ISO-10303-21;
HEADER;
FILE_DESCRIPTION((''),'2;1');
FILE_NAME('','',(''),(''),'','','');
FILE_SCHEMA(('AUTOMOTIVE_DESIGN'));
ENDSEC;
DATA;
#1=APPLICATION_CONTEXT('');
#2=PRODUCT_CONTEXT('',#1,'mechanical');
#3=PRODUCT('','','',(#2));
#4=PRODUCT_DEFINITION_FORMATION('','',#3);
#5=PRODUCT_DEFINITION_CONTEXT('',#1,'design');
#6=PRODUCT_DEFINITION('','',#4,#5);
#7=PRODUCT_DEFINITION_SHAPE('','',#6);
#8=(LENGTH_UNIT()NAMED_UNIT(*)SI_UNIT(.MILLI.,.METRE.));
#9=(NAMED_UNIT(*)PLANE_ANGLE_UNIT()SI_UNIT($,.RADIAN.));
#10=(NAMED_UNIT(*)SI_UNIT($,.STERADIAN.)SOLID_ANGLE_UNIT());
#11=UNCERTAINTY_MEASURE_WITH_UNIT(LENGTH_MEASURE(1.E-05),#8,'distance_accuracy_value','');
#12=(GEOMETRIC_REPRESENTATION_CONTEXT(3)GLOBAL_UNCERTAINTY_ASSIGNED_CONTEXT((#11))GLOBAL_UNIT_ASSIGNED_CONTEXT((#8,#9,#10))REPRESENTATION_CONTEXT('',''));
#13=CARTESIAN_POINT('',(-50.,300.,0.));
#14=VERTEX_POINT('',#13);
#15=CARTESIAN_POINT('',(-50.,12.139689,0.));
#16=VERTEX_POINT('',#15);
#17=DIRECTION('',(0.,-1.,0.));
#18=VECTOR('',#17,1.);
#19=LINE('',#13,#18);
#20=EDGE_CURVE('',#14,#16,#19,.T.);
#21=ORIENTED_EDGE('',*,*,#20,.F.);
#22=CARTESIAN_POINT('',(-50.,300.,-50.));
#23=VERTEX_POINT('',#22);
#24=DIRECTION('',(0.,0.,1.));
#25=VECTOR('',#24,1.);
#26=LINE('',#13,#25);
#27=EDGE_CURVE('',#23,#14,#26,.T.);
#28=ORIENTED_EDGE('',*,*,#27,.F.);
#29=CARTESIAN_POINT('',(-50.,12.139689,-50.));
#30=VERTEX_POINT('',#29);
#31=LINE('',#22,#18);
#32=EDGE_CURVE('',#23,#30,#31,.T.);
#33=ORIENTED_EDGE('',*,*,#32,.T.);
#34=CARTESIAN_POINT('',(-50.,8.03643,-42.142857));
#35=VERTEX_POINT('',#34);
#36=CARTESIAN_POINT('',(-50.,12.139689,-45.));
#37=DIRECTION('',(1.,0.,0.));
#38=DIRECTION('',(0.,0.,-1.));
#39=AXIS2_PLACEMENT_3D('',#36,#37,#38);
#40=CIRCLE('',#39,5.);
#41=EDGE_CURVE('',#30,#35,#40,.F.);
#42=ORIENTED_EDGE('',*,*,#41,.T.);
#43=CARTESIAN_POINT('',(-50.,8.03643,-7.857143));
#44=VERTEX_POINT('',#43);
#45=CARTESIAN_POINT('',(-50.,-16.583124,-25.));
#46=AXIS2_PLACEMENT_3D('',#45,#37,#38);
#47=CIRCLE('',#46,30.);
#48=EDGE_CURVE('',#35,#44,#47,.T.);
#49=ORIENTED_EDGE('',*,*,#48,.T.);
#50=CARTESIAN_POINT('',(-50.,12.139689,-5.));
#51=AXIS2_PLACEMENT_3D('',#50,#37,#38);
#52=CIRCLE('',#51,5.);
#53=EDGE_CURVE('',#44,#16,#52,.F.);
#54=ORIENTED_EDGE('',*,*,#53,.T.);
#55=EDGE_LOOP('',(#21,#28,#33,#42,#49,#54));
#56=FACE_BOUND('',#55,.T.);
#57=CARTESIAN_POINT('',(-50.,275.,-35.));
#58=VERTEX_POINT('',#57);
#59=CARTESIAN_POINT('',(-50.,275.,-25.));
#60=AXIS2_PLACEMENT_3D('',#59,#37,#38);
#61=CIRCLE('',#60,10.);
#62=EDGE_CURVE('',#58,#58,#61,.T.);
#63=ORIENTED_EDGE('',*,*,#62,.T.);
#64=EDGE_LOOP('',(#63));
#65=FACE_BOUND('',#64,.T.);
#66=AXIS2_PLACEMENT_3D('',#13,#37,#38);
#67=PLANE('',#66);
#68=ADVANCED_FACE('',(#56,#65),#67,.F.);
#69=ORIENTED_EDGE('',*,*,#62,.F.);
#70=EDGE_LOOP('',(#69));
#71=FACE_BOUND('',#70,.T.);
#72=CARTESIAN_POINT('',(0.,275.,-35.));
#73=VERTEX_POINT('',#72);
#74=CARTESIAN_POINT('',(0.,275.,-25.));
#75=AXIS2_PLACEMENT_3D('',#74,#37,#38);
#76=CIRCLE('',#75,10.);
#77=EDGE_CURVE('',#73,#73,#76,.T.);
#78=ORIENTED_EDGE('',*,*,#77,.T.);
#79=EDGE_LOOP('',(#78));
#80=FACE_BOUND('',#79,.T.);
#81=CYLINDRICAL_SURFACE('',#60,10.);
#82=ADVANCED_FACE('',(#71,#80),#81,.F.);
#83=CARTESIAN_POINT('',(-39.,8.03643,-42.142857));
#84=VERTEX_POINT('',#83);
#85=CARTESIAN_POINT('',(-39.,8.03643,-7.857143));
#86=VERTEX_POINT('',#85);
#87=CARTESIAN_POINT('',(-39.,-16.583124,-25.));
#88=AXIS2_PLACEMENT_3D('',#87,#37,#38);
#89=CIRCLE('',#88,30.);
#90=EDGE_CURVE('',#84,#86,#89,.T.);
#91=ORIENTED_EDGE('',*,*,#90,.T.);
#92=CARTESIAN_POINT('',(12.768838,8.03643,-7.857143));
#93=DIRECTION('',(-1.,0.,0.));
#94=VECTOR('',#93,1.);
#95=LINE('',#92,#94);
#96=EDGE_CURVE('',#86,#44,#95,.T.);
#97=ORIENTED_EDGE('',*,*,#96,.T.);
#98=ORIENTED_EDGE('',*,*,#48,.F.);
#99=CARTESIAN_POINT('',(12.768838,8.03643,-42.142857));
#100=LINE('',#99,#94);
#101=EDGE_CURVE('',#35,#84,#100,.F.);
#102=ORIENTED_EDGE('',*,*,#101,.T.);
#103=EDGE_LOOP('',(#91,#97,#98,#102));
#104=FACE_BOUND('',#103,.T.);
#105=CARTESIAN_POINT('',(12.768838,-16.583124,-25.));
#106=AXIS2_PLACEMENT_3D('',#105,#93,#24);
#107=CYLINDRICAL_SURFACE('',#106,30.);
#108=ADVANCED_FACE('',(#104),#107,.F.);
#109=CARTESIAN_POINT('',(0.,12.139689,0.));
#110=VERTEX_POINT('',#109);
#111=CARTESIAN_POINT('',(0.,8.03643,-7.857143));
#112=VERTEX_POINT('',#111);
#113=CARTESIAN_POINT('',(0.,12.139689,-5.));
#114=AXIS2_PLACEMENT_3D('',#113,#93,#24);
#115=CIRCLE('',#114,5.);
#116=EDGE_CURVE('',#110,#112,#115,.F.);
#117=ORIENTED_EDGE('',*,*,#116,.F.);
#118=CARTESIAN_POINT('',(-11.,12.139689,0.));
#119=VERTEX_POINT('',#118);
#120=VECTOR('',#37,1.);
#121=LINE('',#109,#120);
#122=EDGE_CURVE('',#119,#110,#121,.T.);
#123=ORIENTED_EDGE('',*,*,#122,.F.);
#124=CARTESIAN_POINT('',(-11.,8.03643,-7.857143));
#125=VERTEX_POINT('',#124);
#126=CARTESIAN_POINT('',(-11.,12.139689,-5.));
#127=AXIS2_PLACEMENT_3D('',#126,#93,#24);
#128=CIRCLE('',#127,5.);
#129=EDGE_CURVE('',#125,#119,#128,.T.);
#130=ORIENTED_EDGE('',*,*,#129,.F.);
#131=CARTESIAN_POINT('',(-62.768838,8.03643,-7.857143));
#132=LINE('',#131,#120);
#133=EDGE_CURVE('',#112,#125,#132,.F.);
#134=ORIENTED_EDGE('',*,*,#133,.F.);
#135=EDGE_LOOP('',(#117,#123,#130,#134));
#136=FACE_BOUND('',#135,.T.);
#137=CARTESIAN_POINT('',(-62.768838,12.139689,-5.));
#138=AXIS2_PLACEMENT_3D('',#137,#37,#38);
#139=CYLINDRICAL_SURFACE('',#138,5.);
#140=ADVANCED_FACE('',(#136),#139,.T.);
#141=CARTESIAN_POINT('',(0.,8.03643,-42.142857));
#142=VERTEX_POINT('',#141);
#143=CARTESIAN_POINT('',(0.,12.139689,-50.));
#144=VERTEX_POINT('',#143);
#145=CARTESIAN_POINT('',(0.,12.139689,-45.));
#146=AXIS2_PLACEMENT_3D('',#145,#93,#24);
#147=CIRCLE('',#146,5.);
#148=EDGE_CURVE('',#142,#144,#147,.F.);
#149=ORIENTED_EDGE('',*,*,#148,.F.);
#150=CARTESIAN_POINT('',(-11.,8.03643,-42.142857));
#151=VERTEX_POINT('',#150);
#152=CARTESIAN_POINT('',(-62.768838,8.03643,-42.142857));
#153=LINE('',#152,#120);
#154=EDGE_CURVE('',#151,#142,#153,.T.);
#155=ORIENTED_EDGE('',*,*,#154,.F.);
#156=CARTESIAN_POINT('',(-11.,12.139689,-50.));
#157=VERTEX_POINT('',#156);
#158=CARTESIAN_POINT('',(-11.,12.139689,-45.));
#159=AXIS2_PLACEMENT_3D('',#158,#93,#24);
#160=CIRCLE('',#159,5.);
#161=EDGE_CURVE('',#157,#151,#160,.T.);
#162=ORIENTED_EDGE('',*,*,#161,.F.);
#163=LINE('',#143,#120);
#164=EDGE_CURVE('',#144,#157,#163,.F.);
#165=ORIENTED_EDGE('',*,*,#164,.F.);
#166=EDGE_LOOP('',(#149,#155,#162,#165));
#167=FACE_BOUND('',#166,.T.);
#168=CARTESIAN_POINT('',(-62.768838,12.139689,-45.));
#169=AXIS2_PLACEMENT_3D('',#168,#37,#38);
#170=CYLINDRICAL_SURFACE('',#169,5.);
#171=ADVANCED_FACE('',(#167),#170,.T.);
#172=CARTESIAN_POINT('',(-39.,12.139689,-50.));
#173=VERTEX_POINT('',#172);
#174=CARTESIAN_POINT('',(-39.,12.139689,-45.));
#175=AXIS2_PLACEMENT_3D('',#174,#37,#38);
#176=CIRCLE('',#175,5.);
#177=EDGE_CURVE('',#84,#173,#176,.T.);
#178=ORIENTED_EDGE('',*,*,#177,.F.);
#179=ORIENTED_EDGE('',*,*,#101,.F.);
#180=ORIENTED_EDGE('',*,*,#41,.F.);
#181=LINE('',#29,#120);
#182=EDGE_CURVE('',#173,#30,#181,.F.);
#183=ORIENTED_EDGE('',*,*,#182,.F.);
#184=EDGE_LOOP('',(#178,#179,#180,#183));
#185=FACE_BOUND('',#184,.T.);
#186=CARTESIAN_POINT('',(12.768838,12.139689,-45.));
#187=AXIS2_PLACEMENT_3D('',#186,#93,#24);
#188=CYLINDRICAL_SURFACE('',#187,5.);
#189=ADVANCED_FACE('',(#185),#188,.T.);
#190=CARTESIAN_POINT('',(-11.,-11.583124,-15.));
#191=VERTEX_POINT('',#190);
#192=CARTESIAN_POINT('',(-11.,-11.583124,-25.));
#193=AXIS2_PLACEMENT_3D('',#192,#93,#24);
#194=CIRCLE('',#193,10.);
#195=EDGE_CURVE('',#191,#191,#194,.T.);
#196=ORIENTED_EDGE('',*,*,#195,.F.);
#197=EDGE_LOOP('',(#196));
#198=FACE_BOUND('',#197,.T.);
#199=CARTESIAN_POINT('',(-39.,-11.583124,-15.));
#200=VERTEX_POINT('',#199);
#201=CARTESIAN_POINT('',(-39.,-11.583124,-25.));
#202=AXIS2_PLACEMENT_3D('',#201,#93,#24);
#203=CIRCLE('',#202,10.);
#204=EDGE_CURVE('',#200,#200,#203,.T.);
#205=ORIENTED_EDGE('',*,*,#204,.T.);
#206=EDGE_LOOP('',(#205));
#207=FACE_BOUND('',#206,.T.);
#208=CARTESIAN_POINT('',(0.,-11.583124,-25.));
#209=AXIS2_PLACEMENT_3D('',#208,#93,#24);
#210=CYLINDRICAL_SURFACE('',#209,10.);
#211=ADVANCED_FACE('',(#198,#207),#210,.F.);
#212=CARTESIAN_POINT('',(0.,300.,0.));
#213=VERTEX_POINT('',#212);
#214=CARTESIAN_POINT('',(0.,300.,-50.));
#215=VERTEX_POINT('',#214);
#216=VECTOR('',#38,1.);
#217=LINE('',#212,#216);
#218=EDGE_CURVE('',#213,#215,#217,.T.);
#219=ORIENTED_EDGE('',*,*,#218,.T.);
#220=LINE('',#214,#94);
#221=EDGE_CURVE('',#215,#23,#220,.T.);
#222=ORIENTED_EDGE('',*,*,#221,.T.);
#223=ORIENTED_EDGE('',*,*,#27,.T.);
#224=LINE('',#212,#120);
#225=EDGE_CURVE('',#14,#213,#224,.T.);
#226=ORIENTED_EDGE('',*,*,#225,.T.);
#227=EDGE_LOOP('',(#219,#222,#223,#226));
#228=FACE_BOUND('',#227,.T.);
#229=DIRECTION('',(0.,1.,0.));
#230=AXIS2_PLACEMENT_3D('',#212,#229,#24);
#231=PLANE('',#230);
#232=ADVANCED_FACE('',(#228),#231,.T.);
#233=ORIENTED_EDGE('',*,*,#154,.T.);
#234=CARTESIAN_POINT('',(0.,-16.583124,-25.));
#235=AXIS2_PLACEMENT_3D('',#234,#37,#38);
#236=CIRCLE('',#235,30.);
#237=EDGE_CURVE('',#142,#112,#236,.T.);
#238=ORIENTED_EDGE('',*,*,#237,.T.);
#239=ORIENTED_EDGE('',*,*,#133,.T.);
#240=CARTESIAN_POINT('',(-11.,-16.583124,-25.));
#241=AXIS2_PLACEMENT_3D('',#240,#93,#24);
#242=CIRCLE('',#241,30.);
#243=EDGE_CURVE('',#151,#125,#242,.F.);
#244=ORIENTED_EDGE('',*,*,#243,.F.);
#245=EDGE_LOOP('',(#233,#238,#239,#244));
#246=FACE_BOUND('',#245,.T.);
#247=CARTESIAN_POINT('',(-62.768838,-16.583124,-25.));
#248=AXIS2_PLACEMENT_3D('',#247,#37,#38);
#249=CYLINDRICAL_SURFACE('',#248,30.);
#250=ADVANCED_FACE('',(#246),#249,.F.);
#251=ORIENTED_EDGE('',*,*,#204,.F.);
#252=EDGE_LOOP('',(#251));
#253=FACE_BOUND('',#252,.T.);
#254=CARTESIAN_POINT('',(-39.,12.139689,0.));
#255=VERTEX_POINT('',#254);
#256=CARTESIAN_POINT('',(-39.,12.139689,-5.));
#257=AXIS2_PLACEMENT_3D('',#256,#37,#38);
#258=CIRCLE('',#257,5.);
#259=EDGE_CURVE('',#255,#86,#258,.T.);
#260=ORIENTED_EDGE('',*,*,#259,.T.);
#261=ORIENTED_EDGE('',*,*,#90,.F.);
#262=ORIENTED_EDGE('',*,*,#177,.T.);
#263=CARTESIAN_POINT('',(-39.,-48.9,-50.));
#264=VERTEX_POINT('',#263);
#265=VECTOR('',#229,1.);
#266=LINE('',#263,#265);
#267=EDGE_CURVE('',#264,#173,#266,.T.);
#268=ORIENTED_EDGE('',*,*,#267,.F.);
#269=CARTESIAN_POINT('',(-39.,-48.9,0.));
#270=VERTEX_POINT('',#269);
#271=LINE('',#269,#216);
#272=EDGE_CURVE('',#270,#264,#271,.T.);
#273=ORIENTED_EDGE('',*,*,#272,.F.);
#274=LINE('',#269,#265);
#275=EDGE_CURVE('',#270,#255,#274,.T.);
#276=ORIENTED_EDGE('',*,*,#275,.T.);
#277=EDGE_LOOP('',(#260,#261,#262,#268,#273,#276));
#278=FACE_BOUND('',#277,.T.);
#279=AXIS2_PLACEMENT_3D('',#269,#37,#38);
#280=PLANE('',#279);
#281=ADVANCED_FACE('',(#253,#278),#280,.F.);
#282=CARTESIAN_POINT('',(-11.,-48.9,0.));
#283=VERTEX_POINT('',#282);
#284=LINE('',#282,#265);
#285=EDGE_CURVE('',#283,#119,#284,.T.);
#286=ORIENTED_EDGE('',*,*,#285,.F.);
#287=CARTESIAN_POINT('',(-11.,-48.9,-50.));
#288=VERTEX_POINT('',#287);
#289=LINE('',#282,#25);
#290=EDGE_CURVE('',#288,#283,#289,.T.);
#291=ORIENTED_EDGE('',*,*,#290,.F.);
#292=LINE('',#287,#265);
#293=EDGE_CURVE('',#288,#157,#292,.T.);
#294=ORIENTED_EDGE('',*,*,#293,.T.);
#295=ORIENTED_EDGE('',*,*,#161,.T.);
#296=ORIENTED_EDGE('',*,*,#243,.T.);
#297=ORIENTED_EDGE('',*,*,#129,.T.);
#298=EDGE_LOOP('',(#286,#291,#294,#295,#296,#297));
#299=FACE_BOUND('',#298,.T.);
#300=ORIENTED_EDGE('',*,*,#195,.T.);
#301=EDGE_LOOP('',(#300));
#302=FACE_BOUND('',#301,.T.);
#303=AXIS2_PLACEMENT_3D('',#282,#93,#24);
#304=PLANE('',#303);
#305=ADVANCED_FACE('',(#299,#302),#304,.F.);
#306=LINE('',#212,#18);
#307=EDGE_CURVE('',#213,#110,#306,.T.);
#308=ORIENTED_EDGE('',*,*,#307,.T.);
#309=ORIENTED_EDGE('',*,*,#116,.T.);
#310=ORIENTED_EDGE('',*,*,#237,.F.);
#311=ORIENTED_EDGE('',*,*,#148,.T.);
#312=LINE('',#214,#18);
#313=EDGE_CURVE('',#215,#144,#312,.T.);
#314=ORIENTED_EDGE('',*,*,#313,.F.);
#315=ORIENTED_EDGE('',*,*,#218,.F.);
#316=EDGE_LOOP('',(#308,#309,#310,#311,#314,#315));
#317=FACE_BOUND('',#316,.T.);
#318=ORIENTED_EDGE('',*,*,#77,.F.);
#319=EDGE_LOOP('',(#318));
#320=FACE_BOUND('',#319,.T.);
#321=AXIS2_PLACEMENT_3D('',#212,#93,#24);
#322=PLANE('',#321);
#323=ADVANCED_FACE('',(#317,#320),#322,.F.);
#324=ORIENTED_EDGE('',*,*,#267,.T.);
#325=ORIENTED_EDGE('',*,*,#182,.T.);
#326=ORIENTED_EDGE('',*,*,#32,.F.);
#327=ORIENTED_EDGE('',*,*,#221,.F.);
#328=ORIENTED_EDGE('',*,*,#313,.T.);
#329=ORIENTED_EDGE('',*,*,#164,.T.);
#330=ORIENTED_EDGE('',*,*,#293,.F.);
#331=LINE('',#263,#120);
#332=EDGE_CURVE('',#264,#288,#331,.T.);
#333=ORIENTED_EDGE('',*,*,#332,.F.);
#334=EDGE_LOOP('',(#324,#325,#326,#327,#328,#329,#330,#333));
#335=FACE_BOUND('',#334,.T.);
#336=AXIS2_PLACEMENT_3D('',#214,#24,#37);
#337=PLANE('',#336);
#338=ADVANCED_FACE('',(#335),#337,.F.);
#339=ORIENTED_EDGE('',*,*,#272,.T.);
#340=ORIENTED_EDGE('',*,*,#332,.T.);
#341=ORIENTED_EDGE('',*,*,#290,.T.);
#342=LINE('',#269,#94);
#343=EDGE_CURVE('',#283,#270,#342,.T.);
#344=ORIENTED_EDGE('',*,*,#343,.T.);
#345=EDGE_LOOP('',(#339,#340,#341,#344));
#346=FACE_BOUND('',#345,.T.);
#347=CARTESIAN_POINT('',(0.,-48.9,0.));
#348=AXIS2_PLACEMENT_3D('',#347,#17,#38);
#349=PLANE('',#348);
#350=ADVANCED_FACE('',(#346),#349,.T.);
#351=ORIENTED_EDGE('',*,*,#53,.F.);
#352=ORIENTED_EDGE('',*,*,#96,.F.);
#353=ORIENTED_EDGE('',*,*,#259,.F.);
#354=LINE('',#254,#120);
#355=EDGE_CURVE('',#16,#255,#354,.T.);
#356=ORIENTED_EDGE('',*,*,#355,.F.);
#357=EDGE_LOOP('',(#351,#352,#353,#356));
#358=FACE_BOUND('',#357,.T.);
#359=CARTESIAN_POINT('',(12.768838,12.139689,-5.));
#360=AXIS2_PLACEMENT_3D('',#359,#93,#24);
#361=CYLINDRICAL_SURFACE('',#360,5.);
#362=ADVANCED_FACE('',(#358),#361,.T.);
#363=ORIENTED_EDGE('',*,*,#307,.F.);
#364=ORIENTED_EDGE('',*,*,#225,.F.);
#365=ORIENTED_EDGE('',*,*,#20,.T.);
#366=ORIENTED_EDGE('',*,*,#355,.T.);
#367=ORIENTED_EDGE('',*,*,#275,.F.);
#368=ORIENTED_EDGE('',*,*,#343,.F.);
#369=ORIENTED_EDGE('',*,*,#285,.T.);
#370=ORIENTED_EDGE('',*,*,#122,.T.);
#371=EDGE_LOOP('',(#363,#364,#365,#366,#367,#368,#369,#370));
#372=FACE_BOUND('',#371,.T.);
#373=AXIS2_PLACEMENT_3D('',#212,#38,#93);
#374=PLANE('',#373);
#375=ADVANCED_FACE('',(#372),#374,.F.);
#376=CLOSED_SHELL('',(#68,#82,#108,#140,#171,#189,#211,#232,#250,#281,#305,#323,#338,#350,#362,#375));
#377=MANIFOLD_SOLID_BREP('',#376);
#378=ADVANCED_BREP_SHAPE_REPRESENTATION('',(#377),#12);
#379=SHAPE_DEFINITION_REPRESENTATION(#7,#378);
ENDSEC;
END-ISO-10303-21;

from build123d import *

# Parameters (mm, degrees)
SKETCH1_W               = 50
SKETCH1_H               = 50
BOSS_EXTRUDE1_DEPTH     = 300
SKETCH2_W               = 28
SKETCH2_H               = 50
BOSS_EXTRUDE2_DEPTH     = 48.9
CUT_EXTRUDE4_DEPTH      = 309.220700148
CUT_EXTRUDE4_DEPTH_BACK = 11
CUT_EXTRUDE7_DEPTH      = 11
SKETCH12_R              = 10
CUT_EXTRUDE8_DEPTH      = 307.628439646
FILLET2_R               = 5
FILLET3_R               = 5
SKETCH13_R              = 10
CUT_EXTRUDE9_DEPTH      = 309.220700148


with BuildPart() as part:
    # Sketch1 → Boss-Extrude1 (new body)
    with BuildSketch(Plane(origin=(0, 0, 0), x_dir=(1, 0, 0), z_dir=(0, 1, 0))):
        with Locations((-25, 25)):
            Rectangle(SKETCH1_W, SKETCH1_H)
    extrude(amount=BOSS_EXTRUDE1_DEPTH)

    # Sketch2 → Boss-Extrude2 (add)
    with BuildSketch(Plane.XZ):
        with Locations((-25, -25)):
            Rectangle(SKETCH2_W, SKETCH2_H)
    extrude(amount=BOSS_EXTRUDE2_DEPTH)

    # Sketch5 → Cut-Extrude4 (cut, two sides: drawn at the far end of the back side and taken through both)
    with BuildSketch(Plane(origin=(0, 0, 0), x_dir=(0, 0, -1), z_dir=(1, 0, 0)).offset(-CUT_EXTRUDE4_DEPTH_BACK)):
        with BuildLine():
            Line((50, 0), (0, 0))
            ThreePointArc((0, 0), (25, 13.416876048), (50, 0))
        make_face()
    extrude(amount=CUT_EXTRUDE4_DEPTH + CUT_EXTRUDE4_DEPTH_BACK, mode=Mode.SUBTRACT)

    # Sketch6 → Cut-Extrude7 (cut)
    with BuildSketch(Plane.ZY.offset(50)):
        with BuildLine():
            Line((-50, 0), (0, 0))
            ThreePointArc((0, 0), (-25, 13.416876048), (-50, 0))
        make_face()
    extrude(amount=-CUT_EXTRUDE7_DEPTH, mode=Mode.SUBTRACT)

    # Sketch12 → Cut-Extrude8 (cut, through all)
    with BuildSketch(Plane.ZY.offset(39)):
        with Locations((-25, -11.583123952)):
            Circle(SKETCH12_R)
    extrude(amount=-CUT_EXTRUDE8_DEPTH, mode=Mode.SUBTRACT)

    # Fillet2
    fillet2_edges = [part.edges().sort_by_distance(p)[0] for p in [
        (-44.5, 0, -50),
        (-44.5, 0, 0),
    ]]
    fillet(fillet2_edges, radius=FILLET2_R)

    # Fillet3
    fillet3_edges = [part.edges().sort_by_distance(p)[0] for p in [
        (-5.5, 0, 0),
        (-5.5, 0, -50),
    ]]
    fillet(fillet3_edges, radius=FILLET3_R)

    # Sketch13 → Cut-Extrude9 (cut, through all)
    with BuildSketch(Plane(origin=(0, 0, 0), x_dir=(0, 0, -1), z_dir=(1, 0, 0))):
        with Locations((25, 275)):
            Circle(SKETCH13_R)
    extrude(amount=-CUT_EXTRUDE9_DEPTH, mode=Mode.SUBTRACT)


solid = part.part
